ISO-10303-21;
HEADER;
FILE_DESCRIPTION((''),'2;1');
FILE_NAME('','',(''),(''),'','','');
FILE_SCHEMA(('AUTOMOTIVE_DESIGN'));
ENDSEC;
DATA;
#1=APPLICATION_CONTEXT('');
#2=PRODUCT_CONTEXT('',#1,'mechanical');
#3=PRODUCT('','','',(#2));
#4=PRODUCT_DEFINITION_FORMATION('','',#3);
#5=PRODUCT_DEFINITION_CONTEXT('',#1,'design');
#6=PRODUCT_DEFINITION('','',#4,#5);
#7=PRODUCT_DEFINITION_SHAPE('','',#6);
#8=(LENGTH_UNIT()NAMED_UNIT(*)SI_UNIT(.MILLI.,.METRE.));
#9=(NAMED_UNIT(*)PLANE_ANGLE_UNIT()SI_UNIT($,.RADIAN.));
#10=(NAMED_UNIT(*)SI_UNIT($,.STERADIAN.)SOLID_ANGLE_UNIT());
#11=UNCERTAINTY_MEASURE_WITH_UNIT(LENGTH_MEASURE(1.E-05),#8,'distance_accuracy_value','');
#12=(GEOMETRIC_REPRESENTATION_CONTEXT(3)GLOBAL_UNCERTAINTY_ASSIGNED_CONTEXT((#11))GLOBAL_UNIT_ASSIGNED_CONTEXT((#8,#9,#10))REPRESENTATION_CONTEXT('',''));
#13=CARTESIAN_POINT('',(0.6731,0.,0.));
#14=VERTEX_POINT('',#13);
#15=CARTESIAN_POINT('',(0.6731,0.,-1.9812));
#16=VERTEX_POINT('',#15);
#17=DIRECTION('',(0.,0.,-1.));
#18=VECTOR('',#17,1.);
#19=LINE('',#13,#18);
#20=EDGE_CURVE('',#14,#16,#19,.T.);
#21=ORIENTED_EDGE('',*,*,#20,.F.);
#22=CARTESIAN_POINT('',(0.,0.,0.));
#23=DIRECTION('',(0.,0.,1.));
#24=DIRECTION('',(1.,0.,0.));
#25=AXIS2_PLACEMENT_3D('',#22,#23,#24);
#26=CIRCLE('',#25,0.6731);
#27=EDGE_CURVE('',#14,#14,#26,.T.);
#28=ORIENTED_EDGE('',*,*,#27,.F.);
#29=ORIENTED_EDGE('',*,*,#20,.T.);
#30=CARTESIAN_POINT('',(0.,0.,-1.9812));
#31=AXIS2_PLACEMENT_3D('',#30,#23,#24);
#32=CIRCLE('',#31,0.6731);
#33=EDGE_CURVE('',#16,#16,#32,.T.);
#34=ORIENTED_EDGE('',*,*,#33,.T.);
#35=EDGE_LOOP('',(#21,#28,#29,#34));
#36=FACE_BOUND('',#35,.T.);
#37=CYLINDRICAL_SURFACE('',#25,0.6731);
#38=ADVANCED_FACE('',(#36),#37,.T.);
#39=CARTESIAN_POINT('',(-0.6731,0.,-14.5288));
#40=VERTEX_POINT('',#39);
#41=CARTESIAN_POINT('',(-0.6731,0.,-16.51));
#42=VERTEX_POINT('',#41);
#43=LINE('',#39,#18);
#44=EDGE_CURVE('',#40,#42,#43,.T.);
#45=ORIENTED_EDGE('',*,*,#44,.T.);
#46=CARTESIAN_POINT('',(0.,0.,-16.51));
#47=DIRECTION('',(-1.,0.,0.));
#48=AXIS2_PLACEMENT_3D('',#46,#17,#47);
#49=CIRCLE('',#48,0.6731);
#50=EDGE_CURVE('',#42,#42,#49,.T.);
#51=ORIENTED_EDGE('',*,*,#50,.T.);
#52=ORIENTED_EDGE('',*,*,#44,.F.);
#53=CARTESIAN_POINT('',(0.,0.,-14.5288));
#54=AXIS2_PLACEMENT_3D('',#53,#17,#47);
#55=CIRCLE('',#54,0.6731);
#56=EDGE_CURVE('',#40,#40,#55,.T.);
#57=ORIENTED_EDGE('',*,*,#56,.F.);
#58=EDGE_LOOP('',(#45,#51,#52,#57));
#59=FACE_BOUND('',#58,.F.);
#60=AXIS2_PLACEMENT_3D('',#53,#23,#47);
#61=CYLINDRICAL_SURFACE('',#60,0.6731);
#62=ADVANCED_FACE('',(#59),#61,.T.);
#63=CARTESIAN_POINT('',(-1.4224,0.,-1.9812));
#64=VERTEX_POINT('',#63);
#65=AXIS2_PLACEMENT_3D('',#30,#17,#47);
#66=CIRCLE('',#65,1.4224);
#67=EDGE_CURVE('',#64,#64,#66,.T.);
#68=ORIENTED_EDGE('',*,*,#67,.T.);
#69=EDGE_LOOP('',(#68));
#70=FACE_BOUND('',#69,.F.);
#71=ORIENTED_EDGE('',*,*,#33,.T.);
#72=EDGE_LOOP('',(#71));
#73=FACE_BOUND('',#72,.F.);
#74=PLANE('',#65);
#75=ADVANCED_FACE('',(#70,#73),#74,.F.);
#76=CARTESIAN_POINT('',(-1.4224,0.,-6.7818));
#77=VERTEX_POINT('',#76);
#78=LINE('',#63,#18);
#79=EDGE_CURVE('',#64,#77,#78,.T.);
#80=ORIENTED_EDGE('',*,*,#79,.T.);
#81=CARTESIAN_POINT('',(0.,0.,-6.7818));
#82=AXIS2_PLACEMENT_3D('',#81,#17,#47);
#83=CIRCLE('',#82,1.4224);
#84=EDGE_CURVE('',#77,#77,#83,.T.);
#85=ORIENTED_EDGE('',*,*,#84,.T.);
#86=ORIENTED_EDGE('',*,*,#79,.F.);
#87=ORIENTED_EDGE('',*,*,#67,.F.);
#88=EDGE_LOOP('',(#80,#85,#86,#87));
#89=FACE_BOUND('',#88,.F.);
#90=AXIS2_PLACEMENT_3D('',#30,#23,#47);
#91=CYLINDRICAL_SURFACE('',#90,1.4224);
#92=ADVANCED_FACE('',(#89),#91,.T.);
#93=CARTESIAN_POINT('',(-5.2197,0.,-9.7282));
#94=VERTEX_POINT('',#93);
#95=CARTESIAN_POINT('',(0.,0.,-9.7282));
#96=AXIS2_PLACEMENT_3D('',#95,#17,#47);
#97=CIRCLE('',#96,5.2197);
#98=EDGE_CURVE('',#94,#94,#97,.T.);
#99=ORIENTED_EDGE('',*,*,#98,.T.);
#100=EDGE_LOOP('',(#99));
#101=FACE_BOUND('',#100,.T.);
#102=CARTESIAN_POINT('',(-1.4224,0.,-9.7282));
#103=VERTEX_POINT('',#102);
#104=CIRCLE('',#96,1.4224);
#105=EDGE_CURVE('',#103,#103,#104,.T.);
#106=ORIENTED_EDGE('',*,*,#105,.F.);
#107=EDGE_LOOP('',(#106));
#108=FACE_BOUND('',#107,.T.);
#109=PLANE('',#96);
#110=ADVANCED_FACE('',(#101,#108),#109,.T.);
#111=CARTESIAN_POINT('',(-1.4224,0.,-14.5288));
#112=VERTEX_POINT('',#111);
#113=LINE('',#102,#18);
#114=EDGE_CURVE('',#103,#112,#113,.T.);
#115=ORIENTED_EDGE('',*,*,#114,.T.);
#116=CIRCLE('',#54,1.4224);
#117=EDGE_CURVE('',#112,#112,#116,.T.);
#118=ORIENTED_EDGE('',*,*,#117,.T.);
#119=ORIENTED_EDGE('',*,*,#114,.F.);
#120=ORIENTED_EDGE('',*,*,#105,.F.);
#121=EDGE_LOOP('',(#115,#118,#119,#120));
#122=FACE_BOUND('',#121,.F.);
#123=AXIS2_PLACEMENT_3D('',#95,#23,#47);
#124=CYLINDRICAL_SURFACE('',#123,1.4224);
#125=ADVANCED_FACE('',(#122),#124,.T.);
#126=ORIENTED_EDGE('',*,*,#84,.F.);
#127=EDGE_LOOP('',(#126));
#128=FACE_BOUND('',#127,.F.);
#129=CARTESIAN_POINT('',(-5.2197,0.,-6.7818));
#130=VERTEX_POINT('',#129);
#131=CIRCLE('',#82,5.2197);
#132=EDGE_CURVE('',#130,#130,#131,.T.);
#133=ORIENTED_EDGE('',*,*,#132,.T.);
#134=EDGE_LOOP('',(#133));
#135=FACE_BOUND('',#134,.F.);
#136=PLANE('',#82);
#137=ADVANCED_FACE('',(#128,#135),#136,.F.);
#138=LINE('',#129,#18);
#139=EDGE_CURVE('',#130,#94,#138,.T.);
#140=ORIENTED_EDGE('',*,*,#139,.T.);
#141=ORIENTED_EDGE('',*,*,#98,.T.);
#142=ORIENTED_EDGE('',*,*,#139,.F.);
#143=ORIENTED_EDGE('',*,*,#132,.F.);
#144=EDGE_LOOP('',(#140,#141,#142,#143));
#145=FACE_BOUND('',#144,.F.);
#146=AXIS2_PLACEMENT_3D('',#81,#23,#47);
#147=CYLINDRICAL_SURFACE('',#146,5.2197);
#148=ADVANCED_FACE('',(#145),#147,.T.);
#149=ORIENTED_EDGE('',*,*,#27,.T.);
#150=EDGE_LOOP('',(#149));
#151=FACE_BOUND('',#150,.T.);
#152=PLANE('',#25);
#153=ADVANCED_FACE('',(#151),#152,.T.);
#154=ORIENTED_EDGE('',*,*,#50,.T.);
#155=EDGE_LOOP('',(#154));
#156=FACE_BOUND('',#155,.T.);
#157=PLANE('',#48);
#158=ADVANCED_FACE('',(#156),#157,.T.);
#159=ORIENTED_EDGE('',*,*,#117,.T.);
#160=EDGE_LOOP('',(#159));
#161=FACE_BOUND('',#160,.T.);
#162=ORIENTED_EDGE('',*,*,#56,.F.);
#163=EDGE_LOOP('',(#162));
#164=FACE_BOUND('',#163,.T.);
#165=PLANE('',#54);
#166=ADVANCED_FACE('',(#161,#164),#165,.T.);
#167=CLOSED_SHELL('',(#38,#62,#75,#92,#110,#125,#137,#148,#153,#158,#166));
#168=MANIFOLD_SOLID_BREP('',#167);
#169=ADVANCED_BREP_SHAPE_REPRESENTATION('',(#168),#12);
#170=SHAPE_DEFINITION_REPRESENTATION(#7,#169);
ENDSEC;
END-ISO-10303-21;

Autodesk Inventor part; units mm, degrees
ref_plane "YZ Plane" through (0, 0, 0) normal (1, 0, 0) x (0, 1, 0)
ref_plane "XZ Plane" through (0, 0, 0) normal (0, 1, 0) x (-1, 0, 0)
ref_plane "XY Plane" through (0, 0, 0) normal (0, 0, 1) x (1, 0, 0)
sketch "Sketch1" plane through (0, 0, 0) normal (0, 0, 1) x (1, 0, 0)
  circle A0 centre (0, 0) radius 0.6731
  dimension "d0" = 1.3462
extrude "Extrusion1" add sketch "Sketch1" against normal blind 1.9812
sketch "Sketch2" plane through (0, 0, -1.9812) normal (0, 0, -1) x (-1, 0, 0)
  circle A0 centre (0, 0) radius 1.4224
  dimension "d3" = 2.8448
extrude "Extrusion2" add sketch "Sketch2" along normal blind 4.8006
sketch "Sketch3" plane through (0, 0, -6.7818) normal (0, 0, -1) x (-1, 0, 0)
  circle A0 centre (0, 0) radius 5.2197
  dimension "d6" = 10.4394
extrude "Extrusion3" add sketch "Sketch3" along normal blind 2.9464
sketch "Sketch4" plane through (0, 0, -9.7282) normal (0, 0, -1) x (-1, 0, 0)
  point P0 (0, 0)
sketch "Sketch5" plane through (0, 0, -9.7282) normal (0, 0, -1) x (-1, 0, 0)
  circle A0 centre (0, 0) radius 1.4224
  dimension "d9" = 2.8448
extrude "Extrusion4" add sketch "Sketch5" along normal blind 4.8006
sketch "Sketch6" plane through (0, 0, -14.5288) normal (0, 0, -1) x (-1, 0, 0)
  circle A0 centre (0, 0) radius 0.6731
  dimension "d12" = 1.3462
extrude "Extrusion5" add sketch "Sketch6" along normal blind 1.9812
properties part number "noisemaker"
